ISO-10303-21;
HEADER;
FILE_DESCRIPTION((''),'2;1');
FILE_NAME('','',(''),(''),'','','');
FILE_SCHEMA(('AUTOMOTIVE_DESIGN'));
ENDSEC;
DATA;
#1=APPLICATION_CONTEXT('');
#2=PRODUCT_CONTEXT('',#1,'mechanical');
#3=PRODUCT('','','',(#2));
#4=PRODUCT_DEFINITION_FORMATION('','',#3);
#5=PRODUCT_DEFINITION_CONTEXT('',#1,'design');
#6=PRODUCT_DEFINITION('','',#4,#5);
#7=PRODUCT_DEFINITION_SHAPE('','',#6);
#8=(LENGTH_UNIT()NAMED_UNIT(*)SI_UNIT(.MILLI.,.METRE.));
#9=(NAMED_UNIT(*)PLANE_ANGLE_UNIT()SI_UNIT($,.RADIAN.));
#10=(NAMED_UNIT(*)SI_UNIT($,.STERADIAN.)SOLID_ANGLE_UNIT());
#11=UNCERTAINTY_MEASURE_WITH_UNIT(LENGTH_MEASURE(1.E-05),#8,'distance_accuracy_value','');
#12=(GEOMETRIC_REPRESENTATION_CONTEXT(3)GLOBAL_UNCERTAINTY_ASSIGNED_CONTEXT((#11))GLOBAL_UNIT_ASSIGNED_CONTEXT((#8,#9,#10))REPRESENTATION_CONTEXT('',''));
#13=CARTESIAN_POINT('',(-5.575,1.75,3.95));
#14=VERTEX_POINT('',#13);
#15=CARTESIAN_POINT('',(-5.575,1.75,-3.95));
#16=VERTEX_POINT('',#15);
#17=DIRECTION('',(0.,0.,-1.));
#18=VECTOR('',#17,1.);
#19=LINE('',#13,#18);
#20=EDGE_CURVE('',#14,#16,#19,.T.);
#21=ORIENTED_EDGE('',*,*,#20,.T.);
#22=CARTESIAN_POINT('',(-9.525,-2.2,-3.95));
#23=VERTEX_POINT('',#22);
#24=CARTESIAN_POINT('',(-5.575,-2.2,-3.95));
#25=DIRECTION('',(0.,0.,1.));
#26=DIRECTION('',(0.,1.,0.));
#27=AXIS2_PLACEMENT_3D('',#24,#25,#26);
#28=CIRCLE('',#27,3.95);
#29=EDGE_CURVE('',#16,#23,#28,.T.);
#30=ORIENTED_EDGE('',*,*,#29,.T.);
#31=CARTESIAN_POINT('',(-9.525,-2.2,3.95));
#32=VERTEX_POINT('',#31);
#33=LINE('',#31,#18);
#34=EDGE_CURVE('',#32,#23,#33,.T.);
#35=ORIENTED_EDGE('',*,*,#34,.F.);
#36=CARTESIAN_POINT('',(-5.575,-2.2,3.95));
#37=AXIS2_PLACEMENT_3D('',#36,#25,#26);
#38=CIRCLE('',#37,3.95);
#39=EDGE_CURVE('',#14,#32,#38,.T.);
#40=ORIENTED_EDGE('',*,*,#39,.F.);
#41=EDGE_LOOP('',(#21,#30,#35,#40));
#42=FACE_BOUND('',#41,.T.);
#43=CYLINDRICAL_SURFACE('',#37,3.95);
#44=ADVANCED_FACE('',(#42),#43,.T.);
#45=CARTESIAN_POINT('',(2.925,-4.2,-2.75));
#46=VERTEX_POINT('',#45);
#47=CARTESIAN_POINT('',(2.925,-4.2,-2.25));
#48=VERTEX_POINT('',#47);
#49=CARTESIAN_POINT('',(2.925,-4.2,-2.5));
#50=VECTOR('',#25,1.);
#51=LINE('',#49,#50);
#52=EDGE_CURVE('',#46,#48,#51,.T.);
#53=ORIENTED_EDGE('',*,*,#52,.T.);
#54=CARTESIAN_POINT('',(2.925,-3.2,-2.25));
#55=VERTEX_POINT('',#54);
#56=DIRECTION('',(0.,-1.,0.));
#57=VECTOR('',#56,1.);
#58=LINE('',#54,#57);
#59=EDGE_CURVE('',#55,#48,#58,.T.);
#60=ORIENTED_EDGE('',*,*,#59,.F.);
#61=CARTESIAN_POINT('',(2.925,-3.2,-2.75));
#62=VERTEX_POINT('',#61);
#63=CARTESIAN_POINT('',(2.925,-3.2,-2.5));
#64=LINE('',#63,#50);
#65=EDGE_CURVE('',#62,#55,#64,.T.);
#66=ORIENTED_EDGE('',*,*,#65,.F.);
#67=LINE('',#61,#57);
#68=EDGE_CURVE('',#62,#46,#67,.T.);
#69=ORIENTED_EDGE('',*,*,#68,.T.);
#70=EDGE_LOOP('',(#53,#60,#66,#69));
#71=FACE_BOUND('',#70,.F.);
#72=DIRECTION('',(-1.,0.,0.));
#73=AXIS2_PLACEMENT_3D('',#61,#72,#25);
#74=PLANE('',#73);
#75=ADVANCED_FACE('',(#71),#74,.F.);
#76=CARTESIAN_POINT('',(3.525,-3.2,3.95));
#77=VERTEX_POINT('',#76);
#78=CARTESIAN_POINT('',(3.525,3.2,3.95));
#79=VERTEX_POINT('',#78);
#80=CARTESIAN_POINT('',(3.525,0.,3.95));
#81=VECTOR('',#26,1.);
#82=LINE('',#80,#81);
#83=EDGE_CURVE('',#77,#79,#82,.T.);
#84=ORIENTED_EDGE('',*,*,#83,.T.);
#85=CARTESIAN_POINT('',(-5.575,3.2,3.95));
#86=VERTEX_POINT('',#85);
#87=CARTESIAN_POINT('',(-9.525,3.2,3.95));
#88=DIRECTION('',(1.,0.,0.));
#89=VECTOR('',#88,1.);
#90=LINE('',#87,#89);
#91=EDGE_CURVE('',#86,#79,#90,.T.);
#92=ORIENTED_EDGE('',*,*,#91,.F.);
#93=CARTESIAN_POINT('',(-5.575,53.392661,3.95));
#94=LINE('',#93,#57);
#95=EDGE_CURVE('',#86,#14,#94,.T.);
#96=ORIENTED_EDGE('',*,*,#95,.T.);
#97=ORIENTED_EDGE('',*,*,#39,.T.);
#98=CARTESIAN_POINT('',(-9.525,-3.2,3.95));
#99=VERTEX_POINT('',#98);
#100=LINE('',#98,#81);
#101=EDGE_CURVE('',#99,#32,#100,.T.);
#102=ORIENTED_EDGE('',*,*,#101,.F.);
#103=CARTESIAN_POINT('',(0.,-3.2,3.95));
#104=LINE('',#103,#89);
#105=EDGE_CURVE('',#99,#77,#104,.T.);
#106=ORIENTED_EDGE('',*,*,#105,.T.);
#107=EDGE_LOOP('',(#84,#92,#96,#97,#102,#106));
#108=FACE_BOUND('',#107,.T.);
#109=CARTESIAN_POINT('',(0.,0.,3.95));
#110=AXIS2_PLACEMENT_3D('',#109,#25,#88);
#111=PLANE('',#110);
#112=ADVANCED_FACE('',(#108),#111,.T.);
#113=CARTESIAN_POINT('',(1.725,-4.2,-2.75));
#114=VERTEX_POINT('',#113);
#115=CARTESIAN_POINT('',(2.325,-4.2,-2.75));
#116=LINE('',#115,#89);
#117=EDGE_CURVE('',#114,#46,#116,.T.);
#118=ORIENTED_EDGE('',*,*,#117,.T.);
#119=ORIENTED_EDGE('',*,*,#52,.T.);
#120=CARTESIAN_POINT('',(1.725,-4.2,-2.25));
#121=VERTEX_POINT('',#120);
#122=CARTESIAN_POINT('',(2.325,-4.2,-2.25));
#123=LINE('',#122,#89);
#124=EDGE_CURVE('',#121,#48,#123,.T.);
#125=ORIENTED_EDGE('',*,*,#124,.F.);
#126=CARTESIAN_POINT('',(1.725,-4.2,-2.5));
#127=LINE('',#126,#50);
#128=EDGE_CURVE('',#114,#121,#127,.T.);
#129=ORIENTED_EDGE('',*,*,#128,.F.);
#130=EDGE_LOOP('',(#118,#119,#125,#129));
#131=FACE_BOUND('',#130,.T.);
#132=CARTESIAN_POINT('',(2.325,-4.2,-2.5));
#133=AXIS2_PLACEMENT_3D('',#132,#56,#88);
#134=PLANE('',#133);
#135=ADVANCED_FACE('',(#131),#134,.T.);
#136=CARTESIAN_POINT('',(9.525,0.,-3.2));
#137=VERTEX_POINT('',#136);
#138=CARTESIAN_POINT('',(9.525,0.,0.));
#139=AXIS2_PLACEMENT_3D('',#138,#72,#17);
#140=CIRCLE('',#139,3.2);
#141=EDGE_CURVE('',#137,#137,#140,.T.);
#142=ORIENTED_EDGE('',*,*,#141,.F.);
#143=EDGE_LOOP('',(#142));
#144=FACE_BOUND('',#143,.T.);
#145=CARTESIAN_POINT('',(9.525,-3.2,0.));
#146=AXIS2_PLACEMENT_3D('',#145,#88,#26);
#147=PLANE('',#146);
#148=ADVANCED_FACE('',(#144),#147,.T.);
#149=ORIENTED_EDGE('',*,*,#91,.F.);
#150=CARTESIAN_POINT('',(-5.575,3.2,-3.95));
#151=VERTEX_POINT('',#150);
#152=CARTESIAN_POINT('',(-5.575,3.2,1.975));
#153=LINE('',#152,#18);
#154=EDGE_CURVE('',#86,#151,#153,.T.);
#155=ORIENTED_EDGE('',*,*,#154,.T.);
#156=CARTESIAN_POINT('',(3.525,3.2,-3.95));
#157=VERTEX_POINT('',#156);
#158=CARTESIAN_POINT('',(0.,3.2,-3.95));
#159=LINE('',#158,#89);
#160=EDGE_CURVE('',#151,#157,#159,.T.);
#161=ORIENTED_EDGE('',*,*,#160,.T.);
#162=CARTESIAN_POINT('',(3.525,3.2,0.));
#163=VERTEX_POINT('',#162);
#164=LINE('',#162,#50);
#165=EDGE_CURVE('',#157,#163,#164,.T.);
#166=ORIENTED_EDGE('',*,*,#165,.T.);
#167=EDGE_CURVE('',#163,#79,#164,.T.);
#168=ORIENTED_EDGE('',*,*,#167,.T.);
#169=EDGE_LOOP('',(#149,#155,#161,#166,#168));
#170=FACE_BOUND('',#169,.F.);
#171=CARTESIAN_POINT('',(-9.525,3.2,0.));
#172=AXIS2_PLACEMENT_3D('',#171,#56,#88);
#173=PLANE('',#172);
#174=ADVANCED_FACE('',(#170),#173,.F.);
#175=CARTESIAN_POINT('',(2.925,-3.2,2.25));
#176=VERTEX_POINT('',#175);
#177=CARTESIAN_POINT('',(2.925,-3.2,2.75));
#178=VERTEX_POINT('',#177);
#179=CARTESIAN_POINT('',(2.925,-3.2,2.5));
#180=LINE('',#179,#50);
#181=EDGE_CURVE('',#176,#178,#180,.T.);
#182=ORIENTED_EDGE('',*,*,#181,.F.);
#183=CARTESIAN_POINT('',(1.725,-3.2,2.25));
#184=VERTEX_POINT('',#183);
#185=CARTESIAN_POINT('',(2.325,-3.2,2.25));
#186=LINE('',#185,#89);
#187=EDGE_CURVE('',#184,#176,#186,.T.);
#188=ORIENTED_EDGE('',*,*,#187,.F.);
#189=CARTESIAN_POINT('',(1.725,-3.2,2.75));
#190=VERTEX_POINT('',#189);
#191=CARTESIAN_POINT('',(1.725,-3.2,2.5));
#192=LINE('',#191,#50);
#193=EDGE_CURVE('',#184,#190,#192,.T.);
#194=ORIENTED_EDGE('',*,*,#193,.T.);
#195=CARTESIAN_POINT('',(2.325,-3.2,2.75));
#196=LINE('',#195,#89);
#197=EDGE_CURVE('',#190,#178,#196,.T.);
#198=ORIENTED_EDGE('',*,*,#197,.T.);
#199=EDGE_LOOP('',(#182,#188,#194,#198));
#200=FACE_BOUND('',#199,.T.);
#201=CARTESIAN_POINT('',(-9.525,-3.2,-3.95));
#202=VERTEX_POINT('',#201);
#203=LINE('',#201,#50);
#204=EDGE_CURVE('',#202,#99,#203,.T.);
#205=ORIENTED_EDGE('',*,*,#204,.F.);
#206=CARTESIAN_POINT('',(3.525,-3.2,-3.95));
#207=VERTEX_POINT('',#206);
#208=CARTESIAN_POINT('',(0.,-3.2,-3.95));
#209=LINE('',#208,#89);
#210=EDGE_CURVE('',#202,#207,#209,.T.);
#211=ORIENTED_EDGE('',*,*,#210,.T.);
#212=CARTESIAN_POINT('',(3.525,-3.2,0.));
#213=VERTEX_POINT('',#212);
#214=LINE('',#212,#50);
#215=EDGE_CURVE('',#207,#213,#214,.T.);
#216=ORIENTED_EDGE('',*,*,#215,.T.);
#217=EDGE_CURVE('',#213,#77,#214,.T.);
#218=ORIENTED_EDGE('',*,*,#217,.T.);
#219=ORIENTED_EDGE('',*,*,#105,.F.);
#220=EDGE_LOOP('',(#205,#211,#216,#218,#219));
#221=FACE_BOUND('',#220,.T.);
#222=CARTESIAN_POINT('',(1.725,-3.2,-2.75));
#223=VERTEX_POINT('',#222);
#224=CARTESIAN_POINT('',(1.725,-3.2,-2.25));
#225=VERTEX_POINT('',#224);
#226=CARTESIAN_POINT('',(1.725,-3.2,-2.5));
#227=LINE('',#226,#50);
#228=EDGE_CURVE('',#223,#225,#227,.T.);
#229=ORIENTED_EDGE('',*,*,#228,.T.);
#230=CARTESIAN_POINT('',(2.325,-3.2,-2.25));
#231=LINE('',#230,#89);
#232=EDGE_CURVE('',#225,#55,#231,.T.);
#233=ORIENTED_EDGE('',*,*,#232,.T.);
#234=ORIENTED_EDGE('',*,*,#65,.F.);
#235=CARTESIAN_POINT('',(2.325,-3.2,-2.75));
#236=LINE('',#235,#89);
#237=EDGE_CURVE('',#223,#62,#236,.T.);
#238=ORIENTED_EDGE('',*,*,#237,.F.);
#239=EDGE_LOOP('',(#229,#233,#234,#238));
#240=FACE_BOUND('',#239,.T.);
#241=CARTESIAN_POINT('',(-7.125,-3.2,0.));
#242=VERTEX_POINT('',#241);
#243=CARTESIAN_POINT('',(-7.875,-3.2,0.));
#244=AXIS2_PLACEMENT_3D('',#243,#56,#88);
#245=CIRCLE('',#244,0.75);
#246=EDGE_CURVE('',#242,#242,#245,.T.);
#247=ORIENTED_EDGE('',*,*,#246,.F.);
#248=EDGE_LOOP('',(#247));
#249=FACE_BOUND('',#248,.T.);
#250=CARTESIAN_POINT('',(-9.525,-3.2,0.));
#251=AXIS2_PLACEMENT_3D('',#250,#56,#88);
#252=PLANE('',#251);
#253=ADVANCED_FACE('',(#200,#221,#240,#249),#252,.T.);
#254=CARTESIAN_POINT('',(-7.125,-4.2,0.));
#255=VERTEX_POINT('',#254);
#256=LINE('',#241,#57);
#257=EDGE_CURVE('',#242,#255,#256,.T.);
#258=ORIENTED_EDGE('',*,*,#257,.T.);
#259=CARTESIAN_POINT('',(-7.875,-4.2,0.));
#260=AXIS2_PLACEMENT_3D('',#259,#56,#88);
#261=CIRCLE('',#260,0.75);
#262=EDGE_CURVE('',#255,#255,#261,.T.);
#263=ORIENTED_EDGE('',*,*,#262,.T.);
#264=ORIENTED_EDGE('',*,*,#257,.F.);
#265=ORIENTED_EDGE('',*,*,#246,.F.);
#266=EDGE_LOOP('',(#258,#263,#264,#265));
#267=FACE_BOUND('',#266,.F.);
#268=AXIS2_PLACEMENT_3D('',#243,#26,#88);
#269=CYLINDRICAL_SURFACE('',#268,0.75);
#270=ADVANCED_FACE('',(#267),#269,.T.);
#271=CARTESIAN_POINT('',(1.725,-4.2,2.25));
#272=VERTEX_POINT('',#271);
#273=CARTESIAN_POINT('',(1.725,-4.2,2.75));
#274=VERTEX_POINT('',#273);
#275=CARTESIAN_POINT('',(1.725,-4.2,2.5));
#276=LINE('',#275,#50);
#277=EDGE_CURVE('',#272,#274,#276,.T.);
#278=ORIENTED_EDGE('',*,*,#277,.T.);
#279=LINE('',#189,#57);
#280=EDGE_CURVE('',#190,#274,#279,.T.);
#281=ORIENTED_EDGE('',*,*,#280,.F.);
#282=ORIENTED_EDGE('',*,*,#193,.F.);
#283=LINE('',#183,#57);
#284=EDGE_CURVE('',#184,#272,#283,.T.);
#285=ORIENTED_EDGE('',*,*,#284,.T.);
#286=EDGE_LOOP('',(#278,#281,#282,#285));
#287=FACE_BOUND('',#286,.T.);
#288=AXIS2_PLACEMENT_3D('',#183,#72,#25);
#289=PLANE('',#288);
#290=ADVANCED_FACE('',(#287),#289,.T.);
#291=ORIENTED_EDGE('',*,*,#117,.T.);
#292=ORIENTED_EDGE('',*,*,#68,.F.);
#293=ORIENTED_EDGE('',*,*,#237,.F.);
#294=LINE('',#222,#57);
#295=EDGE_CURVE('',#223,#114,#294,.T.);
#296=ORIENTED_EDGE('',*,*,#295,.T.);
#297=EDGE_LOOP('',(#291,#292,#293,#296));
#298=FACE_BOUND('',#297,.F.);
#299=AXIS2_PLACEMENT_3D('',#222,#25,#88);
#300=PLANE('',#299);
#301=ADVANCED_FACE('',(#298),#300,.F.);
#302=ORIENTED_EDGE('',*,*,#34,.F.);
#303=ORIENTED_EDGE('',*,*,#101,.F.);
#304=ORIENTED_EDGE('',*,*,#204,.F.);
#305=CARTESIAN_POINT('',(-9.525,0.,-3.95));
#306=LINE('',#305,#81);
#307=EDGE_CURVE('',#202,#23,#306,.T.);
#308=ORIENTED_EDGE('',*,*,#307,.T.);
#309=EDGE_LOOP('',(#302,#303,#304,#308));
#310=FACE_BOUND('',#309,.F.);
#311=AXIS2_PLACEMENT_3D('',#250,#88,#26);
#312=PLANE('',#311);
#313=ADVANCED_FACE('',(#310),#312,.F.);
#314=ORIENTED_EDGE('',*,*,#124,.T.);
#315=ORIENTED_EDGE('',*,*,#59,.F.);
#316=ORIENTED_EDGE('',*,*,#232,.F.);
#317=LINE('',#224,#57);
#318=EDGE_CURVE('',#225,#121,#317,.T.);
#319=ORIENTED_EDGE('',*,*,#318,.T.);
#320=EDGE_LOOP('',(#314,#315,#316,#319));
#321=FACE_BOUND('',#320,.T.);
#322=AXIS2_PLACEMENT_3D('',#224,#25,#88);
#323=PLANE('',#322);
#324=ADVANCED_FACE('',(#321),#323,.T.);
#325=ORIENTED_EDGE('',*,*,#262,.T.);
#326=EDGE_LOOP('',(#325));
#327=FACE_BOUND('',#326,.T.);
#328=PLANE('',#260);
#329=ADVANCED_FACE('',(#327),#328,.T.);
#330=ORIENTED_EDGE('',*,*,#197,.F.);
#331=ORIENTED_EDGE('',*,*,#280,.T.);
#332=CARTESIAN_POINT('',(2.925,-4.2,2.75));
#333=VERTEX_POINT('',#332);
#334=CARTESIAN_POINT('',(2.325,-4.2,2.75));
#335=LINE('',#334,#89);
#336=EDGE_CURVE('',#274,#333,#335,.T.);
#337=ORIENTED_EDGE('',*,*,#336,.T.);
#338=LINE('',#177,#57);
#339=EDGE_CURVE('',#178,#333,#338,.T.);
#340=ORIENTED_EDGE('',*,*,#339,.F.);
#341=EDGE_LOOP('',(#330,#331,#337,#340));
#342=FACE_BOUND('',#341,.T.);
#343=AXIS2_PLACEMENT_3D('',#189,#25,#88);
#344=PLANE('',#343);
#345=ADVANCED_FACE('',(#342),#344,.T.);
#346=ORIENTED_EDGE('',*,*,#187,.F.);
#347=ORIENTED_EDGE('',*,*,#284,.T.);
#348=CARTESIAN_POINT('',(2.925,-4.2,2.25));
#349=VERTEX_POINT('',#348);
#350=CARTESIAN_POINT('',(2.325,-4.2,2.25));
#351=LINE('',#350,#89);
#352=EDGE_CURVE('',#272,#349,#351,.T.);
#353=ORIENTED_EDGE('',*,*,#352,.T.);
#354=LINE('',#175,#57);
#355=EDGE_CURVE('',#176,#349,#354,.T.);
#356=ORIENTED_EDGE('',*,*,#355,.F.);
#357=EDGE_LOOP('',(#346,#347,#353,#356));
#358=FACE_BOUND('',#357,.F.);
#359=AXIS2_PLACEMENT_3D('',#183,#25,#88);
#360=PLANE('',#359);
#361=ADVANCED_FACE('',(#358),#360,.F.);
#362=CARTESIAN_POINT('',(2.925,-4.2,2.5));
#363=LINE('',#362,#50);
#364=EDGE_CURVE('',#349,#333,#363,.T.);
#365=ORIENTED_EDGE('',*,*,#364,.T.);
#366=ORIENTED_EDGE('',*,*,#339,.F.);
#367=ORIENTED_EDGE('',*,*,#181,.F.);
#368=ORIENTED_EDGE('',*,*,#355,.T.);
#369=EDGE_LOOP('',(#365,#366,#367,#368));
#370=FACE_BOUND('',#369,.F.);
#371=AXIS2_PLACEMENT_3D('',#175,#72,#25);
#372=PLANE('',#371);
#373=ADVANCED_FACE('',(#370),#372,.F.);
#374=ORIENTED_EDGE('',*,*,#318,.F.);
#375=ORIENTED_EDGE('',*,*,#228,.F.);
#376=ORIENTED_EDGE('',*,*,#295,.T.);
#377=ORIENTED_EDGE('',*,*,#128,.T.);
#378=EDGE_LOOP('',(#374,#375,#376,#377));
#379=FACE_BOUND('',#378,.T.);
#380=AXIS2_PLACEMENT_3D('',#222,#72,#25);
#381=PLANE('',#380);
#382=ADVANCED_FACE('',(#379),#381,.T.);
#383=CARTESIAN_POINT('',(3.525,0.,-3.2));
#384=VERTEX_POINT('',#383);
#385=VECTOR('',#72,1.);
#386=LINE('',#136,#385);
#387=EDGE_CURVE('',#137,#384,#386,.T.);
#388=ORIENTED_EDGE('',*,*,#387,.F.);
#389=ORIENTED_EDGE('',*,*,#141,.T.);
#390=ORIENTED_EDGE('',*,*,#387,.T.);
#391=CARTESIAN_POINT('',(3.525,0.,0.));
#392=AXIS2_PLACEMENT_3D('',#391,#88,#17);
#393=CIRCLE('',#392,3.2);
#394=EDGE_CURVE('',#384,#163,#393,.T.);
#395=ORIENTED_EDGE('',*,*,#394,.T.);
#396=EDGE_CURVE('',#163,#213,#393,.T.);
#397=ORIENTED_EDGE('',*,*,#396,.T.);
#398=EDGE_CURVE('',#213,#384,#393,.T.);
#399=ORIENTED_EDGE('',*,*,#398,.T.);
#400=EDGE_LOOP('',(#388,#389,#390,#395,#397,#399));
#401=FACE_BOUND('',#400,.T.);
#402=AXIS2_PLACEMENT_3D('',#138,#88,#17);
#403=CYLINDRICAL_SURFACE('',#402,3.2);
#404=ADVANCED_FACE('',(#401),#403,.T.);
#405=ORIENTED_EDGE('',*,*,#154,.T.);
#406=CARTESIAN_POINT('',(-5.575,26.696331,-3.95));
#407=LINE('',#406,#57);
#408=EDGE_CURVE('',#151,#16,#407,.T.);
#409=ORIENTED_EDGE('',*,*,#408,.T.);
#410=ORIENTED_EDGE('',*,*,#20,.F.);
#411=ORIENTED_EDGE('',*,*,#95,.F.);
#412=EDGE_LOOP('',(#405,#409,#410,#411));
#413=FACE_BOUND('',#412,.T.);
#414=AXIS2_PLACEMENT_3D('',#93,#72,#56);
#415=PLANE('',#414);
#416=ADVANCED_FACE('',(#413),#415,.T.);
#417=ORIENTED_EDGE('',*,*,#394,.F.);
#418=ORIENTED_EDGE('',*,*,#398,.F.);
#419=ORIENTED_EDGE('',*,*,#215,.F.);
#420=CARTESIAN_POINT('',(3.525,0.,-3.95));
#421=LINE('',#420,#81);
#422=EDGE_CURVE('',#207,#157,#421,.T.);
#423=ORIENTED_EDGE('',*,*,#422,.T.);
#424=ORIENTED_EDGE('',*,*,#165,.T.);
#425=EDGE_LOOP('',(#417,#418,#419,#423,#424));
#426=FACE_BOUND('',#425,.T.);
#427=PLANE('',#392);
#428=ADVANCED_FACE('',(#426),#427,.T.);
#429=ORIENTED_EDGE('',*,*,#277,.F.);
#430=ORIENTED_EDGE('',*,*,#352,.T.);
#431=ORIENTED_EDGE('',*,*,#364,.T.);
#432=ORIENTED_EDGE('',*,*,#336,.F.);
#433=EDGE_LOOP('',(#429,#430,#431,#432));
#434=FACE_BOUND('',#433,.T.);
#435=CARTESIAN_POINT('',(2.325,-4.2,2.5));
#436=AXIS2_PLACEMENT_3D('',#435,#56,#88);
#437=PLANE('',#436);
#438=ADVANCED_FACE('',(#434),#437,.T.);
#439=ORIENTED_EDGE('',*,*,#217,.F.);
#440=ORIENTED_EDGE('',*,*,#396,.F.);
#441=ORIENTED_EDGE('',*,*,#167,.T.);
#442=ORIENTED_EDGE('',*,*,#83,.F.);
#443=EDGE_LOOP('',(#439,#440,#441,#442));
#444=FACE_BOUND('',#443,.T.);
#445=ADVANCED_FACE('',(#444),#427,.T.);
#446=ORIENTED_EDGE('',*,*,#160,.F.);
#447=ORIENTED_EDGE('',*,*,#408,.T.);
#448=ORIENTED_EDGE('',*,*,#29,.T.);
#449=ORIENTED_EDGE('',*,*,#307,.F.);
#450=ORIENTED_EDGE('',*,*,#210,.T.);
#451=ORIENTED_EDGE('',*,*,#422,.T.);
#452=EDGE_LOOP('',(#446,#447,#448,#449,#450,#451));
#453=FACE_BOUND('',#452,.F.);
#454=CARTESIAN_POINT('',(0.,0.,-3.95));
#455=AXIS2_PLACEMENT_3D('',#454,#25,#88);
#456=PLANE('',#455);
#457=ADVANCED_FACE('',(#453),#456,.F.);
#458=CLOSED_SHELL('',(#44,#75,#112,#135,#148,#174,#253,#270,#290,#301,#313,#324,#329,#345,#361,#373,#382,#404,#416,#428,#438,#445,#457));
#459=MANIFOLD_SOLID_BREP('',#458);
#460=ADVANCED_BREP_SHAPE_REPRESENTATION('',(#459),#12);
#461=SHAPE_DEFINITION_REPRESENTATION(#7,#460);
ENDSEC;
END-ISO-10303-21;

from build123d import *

# Parameters (mm, degrees)
SKETCH1_W               = 19.05
SKETCH1_H               = 6.4
BOSS_EXTRUDE1_DEPTH     = 3.95
SKETCH2_OUTSIDE_W       = 14.218
SKETCH2_OUTSIDE_H       = 12.718
SKETCH2_OUTSIDE_R       = 3.2
CUT_EXTRUDE1_DEPTH      = 6
SKETCH3_R               = 0.75
SKETCH3_W               = 1.2
SKETCH3_H               = 0.5
BOSS_EXTRUDE2_DEPTH     = 1
CUT_EXTRUDE2_DEPTH      = 1
CUT_EXTRUDE2_DEPTH_BACK = 8.9


with BuildPart() as part:
    # Sketch1 → Boss-Extrude1 (new body, symmetric)
    with BuildSketch(Plane.XY):
        Rectangle(SKETCH1_W, SKETCH1_H)
    extrude(amount=BOSS_EXTRUDE1_DEPTH, both=True)

    # Sketch2 outside → Cut-Extrude1 (cut)
    with BuildSketch(Plane(origin=(9.525, 0, 0), x_dir=(0, 0, -1), z_dir=(1, 0, 0))):
        Rectangle(SKETCH2_OUTSIDE_W, SKETCH2_OUTSIDE_H)
        Circle(SKETCH2_OUTSIDE_R, mode=Mode.SUBTRACT)
    extrude(amount=-CUT_EXTRUDE1_DEPTH, mode=Mode.SUBTRACT)

    # Sketch3 → Boss-Extrude2 (add)
    with BuildSketch(Plane.XZ.offset(3.2)):
        with Locations((-7.875, 0)):
            Circle(SKETCH3_R)
        with Locations((2.325, 2.5)):
            Rectangle(SKETCH3_W, SKETCH3_H)
        with Locations((2.325, -2.5)):
            Rectangle(SKETCH3_W, SKETCH3_H)
    extrude(amount=BOSS_EXTRUDE2_DEPTH)

    # Sketch5 → Cut-Extrude2 (cut, two sides)
    with BuildSketch(Plane.XY.offset(3.95)) as cut_extrude2_sk:
        with BuildLine():
            Line((-5.575, 53.392661022), (-5.575, 3.2))
            Line((-5.575, 3.2), (-5.575, 1.75))
            ThreePointArc((-5.575, 1.75), (-8.368071786, 0.593071786), (-9.525, -2.2))
            Line((-9.525, -2.2), (-9.525, -3.2))
            Line((-9.525, -3.2), (-9.525, -53.392661022))
            Line((-9.525, -53.392661022), (-109.841715444, -49.681935442))
            Line((-109.841715444, -49.681935442), (-105.891715444, 57.103386601))
            Line((-105.891715444, 57.103386601), (-5.575, 53.392661022))
        make_face()
    extrude(amount=CUT_EXTRUDE2_DEPTH, mode=Mode.SUBTRACT)
    extrude(cut_extrude2_sk.sketch, amount=-CUT_EXTRUDE2_DEPTH_BACK, mode=Mode.SUBTRACT)


solid = part.part
